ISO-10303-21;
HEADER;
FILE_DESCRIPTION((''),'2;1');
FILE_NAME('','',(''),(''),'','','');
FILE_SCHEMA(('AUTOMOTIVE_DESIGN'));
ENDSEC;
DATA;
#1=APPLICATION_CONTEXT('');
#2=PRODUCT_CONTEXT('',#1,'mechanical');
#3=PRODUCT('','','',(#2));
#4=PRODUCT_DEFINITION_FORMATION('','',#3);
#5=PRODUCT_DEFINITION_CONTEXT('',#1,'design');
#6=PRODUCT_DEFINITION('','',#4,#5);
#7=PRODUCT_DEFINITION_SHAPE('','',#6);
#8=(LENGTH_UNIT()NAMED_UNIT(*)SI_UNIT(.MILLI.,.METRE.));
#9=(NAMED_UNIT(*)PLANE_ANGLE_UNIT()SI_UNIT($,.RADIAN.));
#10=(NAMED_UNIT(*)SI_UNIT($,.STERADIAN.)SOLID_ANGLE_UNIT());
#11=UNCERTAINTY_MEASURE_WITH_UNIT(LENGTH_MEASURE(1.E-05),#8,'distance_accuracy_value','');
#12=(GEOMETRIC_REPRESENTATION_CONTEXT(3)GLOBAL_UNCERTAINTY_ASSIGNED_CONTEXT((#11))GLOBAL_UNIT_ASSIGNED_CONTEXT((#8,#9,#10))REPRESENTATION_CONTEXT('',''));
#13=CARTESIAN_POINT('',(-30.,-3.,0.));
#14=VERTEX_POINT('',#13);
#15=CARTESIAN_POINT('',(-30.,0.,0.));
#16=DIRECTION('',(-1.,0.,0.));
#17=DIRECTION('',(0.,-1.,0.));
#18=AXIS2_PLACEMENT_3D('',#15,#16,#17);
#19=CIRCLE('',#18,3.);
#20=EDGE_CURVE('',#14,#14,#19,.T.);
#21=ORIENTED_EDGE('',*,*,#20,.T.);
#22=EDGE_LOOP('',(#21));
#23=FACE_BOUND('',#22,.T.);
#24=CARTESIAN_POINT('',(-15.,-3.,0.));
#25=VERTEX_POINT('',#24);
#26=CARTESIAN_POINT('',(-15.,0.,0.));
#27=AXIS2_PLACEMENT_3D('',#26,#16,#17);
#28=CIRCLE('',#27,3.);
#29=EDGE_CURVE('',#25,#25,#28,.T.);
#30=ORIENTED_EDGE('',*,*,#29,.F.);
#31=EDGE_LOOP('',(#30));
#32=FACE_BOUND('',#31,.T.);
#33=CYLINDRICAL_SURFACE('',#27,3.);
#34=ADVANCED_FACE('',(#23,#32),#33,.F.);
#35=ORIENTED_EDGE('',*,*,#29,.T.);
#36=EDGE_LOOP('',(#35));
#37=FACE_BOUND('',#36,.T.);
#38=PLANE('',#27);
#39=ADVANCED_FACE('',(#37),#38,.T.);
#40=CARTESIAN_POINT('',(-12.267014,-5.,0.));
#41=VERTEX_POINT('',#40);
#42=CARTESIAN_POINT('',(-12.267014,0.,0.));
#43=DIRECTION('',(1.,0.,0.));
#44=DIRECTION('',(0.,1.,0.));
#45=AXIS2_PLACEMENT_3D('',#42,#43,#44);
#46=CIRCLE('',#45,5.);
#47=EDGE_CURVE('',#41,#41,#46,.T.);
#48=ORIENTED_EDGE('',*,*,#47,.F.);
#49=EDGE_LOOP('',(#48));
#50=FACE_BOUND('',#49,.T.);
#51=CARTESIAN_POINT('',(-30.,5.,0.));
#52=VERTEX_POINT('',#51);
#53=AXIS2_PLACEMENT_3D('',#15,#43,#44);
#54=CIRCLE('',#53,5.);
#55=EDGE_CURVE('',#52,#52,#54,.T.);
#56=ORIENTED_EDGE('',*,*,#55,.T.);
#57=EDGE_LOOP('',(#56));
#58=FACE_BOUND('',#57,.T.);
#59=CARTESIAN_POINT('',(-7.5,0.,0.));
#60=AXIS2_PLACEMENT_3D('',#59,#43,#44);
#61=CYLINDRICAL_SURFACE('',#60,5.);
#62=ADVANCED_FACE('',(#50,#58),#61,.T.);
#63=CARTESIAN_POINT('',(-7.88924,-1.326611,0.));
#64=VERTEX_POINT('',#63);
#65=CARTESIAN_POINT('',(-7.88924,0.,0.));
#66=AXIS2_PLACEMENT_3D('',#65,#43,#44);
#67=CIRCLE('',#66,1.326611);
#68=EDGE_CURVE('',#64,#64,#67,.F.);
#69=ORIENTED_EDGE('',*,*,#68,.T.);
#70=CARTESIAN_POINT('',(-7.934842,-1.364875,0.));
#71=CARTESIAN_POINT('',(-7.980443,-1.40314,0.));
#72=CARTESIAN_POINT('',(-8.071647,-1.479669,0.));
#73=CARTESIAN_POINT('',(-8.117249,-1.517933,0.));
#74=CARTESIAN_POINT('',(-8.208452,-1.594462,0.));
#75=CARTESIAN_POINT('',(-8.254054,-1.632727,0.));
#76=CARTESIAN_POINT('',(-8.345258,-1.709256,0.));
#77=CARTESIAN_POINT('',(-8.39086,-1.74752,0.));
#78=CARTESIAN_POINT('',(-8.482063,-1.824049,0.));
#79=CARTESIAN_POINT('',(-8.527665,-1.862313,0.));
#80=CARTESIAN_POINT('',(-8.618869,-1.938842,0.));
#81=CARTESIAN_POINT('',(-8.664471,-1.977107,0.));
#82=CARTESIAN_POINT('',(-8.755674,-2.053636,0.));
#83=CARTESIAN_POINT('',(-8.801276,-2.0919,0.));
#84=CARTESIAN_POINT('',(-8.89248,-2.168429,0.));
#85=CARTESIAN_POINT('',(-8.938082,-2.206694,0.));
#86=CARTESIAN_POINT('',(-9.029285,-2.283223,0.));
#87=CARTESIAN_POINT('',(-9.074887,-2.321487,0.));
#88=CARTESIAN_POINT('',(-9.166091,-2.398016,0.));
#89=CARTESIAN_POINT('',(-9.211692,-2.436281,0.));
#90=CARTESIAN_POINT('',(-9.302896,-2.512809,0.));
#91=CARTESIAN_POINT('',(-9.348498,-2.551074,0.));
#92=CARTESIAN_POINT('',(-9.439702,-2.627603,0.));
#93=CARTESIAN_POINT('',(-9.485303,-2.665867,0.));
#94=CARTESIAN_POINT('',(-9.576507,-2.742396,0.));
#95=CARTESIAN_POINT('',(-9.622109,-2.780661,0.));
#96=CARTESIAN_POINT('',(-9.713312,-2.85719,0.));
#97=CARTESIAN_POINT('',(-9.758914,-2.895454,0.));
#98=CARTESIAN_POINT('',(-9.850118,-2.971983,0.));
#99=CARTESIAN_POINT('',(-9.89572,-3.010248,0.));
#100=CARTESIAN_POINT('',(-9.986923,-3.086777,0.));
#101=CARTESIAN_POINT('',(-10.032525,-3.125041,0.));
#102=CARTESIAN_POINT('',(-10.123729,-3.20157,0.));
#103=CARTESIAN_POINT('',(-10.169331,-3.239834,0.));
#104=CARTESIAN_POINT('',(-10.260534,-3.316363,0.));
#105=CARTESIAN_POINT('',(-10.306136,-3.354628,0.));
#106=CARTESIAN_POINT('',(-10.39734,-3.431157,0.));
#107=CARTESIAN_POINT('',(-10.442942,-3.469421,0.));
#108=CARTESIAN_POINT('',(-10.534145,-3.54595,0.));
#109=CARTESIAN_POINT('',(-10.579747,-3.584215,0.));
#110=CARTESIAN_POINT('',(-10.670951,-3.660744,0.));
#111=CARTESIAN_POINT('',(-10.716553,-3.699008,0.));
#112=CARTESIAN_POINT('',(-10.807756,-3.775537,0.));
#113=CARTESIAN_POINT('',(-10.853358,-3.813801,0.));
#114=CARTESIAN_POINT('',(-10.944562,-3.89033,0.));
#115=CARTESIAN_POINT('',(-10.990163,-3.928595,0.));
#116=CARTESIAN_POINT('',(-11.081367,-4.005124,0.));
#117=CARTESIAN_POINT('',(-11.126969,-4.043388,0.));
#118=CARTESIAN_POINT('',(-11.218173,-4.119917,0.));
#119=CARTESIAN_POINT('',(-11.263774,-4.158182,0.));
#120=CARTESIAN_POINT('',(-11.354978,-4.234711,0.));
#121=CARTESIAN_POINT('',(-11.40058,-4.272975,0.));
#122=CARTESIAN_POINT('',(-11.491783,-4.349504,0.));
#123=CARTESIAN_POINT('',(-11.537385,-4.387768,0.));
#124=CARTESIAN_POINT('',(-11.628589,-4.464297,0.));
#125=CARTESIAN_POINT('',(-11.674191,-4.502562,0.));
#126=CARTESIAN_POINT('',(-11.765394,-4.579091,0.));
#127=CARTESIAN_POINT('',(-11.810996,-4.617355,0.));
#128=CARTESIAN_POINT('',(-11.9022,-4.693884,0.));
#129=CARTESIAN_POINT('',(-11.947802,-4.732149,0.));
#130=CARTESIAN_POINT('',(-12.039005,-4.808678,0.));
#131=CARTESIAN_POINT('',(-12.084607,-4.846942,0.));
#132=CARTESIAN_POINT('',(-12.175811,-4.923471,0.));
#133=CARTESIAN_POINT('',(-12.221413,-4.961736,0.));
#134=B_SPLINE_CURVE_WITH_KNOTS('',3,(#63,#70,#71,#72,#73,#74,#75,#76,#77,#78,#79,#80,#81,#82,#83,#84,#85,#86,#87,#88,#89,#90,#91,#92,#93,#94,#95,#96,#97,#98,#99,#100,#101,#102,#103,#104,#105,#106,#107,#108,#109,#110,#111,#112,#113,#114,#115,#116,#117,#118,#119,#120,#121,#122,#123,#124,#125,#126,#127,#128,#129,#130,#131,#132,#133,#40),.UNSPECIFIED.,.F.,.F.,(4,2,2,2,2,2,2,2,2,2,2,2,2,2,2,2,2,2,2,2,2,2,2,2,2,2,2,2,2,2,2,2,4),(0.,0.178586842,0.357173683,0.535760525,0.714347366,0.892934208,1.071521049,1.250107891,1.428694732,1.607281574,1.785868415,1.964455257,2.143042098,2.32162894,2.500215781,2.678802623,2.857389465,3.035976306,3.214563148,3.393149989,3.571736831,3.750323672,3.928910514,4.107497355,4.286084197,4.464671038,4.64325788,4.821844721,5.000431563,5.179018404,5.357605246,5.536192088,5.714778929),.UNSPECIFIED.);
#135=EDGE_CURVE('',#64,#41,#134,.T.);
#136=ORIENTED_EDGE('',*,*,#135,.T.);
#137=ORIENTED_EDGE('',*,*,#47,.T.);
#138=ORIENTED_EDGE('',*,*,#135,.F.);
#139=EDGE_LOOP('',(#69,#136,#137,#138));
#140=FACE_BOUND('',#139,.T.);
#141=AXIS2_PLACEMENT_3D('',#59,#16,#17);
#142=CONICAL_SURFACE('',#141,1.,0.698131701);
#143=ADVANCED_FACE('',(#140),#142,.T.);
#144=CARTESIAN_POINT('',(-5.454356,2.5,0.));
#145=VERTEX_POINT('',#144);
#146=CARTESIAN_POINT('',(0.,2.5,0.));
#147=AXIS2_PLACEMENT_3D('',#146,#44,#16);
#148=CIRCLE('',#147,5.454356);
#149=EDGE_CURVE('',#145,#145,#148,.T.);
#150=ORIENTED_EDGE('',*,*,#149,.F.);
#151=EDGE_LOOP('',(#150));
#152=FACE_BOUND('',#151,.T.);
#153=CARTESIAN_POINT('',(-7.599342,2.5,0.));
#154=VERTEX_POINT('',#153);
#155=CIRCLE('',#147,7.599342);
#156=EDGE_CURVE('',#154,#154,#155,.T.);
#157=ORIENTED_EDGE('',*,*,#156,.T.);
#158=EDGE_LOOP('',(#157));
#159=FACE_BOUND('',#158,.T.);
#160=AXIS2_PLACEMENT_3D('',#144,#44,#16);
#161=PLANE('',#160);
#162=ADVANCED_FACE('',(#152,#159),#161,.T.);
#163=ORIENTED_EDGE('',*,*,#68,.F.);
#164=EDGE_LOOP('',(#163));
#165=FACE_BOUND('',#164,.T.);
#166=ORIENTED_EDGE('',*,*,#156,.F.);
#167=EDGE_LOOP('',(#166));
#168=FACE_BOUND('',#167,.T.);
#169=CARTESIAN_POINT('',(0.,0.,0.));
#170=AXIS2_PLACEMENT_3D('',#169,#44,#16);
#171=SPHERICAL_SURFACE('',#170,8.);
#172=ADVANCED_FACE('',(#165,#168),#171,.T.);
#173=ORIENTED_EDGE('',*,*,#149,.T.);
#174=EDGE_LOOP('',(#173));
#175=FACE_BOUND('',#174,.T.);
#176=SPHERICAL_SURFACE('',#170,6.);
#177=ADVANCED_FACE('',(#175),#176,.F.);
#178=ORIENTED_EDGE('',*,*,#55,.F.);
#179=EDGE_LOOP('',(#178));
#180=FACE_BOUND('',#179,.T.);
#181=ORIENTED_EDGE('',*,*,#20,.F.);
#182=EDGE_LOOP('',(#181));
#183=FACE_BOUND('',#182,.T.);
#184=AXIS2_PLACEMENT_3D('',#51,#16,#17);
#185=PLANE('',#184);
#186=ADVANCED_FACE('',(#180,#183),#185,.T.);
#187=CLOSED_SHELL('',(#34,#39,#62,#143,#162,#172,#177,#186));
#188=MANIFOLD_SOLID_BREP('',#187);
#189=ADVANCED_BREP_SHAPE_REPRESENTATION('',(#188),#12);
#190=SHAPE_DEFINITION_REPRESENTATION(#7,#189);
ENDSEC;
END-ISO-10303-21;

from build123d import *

# Parameters (mm, degrees)
SKETCH_4_R          = 3
CUT_EXTRUDE_1_DEPTH = 15


with BuildPart() as part:
    # 草图1 → 旋转1 (revolve)
    with BuildSketch(Plane.XY):
        with BuildLine():
            Line((-5.454356057, 2.5), (-7.599342077, 2.5))
            ThreePointArc((-7.599342077, 2.5), (-6.480740698, -4.69041576), (0, -8))
            Line((0, -8), (0, -6))
            ThreePointArc((0, -6), (-5.049752469, -3.240370349), (-5.454356057, 2.5))
        make_face()
    revolve(axis=Axis((0, 0, 0), (0, -1, 0)))

    # 草图2 → 旋转2 (revolve)
    with BuildSketch(Plane.XY, mode=Mode.PRIVATE) as revolve_2_sk:
        Polygon((-7.5, 0), (-7.5, 1), (-12.26701437, 5), (-30, 5), (-30, 0), align=None)
    revolve(revolve_2_sk.sketch.rotate(Axis((-7.5, 0, 0), (-1, 0, 0)), 180), axis=Axis((-7.5, 0, 0), (-1, 0, 0)))

    # 草图4 → 切除-拉伸1 (cut)
    with BuildSketch(Plane.ZY.offset(30)):
        with Locations(Location((0, 0, 0), (0, 0, 270))):
            Circle(SKETCH_4_R)
    extrude(amount=-CUT_EXTRUDE_1_DEPTH, mode=Mode.SUBTRACT)


solid = part.part
